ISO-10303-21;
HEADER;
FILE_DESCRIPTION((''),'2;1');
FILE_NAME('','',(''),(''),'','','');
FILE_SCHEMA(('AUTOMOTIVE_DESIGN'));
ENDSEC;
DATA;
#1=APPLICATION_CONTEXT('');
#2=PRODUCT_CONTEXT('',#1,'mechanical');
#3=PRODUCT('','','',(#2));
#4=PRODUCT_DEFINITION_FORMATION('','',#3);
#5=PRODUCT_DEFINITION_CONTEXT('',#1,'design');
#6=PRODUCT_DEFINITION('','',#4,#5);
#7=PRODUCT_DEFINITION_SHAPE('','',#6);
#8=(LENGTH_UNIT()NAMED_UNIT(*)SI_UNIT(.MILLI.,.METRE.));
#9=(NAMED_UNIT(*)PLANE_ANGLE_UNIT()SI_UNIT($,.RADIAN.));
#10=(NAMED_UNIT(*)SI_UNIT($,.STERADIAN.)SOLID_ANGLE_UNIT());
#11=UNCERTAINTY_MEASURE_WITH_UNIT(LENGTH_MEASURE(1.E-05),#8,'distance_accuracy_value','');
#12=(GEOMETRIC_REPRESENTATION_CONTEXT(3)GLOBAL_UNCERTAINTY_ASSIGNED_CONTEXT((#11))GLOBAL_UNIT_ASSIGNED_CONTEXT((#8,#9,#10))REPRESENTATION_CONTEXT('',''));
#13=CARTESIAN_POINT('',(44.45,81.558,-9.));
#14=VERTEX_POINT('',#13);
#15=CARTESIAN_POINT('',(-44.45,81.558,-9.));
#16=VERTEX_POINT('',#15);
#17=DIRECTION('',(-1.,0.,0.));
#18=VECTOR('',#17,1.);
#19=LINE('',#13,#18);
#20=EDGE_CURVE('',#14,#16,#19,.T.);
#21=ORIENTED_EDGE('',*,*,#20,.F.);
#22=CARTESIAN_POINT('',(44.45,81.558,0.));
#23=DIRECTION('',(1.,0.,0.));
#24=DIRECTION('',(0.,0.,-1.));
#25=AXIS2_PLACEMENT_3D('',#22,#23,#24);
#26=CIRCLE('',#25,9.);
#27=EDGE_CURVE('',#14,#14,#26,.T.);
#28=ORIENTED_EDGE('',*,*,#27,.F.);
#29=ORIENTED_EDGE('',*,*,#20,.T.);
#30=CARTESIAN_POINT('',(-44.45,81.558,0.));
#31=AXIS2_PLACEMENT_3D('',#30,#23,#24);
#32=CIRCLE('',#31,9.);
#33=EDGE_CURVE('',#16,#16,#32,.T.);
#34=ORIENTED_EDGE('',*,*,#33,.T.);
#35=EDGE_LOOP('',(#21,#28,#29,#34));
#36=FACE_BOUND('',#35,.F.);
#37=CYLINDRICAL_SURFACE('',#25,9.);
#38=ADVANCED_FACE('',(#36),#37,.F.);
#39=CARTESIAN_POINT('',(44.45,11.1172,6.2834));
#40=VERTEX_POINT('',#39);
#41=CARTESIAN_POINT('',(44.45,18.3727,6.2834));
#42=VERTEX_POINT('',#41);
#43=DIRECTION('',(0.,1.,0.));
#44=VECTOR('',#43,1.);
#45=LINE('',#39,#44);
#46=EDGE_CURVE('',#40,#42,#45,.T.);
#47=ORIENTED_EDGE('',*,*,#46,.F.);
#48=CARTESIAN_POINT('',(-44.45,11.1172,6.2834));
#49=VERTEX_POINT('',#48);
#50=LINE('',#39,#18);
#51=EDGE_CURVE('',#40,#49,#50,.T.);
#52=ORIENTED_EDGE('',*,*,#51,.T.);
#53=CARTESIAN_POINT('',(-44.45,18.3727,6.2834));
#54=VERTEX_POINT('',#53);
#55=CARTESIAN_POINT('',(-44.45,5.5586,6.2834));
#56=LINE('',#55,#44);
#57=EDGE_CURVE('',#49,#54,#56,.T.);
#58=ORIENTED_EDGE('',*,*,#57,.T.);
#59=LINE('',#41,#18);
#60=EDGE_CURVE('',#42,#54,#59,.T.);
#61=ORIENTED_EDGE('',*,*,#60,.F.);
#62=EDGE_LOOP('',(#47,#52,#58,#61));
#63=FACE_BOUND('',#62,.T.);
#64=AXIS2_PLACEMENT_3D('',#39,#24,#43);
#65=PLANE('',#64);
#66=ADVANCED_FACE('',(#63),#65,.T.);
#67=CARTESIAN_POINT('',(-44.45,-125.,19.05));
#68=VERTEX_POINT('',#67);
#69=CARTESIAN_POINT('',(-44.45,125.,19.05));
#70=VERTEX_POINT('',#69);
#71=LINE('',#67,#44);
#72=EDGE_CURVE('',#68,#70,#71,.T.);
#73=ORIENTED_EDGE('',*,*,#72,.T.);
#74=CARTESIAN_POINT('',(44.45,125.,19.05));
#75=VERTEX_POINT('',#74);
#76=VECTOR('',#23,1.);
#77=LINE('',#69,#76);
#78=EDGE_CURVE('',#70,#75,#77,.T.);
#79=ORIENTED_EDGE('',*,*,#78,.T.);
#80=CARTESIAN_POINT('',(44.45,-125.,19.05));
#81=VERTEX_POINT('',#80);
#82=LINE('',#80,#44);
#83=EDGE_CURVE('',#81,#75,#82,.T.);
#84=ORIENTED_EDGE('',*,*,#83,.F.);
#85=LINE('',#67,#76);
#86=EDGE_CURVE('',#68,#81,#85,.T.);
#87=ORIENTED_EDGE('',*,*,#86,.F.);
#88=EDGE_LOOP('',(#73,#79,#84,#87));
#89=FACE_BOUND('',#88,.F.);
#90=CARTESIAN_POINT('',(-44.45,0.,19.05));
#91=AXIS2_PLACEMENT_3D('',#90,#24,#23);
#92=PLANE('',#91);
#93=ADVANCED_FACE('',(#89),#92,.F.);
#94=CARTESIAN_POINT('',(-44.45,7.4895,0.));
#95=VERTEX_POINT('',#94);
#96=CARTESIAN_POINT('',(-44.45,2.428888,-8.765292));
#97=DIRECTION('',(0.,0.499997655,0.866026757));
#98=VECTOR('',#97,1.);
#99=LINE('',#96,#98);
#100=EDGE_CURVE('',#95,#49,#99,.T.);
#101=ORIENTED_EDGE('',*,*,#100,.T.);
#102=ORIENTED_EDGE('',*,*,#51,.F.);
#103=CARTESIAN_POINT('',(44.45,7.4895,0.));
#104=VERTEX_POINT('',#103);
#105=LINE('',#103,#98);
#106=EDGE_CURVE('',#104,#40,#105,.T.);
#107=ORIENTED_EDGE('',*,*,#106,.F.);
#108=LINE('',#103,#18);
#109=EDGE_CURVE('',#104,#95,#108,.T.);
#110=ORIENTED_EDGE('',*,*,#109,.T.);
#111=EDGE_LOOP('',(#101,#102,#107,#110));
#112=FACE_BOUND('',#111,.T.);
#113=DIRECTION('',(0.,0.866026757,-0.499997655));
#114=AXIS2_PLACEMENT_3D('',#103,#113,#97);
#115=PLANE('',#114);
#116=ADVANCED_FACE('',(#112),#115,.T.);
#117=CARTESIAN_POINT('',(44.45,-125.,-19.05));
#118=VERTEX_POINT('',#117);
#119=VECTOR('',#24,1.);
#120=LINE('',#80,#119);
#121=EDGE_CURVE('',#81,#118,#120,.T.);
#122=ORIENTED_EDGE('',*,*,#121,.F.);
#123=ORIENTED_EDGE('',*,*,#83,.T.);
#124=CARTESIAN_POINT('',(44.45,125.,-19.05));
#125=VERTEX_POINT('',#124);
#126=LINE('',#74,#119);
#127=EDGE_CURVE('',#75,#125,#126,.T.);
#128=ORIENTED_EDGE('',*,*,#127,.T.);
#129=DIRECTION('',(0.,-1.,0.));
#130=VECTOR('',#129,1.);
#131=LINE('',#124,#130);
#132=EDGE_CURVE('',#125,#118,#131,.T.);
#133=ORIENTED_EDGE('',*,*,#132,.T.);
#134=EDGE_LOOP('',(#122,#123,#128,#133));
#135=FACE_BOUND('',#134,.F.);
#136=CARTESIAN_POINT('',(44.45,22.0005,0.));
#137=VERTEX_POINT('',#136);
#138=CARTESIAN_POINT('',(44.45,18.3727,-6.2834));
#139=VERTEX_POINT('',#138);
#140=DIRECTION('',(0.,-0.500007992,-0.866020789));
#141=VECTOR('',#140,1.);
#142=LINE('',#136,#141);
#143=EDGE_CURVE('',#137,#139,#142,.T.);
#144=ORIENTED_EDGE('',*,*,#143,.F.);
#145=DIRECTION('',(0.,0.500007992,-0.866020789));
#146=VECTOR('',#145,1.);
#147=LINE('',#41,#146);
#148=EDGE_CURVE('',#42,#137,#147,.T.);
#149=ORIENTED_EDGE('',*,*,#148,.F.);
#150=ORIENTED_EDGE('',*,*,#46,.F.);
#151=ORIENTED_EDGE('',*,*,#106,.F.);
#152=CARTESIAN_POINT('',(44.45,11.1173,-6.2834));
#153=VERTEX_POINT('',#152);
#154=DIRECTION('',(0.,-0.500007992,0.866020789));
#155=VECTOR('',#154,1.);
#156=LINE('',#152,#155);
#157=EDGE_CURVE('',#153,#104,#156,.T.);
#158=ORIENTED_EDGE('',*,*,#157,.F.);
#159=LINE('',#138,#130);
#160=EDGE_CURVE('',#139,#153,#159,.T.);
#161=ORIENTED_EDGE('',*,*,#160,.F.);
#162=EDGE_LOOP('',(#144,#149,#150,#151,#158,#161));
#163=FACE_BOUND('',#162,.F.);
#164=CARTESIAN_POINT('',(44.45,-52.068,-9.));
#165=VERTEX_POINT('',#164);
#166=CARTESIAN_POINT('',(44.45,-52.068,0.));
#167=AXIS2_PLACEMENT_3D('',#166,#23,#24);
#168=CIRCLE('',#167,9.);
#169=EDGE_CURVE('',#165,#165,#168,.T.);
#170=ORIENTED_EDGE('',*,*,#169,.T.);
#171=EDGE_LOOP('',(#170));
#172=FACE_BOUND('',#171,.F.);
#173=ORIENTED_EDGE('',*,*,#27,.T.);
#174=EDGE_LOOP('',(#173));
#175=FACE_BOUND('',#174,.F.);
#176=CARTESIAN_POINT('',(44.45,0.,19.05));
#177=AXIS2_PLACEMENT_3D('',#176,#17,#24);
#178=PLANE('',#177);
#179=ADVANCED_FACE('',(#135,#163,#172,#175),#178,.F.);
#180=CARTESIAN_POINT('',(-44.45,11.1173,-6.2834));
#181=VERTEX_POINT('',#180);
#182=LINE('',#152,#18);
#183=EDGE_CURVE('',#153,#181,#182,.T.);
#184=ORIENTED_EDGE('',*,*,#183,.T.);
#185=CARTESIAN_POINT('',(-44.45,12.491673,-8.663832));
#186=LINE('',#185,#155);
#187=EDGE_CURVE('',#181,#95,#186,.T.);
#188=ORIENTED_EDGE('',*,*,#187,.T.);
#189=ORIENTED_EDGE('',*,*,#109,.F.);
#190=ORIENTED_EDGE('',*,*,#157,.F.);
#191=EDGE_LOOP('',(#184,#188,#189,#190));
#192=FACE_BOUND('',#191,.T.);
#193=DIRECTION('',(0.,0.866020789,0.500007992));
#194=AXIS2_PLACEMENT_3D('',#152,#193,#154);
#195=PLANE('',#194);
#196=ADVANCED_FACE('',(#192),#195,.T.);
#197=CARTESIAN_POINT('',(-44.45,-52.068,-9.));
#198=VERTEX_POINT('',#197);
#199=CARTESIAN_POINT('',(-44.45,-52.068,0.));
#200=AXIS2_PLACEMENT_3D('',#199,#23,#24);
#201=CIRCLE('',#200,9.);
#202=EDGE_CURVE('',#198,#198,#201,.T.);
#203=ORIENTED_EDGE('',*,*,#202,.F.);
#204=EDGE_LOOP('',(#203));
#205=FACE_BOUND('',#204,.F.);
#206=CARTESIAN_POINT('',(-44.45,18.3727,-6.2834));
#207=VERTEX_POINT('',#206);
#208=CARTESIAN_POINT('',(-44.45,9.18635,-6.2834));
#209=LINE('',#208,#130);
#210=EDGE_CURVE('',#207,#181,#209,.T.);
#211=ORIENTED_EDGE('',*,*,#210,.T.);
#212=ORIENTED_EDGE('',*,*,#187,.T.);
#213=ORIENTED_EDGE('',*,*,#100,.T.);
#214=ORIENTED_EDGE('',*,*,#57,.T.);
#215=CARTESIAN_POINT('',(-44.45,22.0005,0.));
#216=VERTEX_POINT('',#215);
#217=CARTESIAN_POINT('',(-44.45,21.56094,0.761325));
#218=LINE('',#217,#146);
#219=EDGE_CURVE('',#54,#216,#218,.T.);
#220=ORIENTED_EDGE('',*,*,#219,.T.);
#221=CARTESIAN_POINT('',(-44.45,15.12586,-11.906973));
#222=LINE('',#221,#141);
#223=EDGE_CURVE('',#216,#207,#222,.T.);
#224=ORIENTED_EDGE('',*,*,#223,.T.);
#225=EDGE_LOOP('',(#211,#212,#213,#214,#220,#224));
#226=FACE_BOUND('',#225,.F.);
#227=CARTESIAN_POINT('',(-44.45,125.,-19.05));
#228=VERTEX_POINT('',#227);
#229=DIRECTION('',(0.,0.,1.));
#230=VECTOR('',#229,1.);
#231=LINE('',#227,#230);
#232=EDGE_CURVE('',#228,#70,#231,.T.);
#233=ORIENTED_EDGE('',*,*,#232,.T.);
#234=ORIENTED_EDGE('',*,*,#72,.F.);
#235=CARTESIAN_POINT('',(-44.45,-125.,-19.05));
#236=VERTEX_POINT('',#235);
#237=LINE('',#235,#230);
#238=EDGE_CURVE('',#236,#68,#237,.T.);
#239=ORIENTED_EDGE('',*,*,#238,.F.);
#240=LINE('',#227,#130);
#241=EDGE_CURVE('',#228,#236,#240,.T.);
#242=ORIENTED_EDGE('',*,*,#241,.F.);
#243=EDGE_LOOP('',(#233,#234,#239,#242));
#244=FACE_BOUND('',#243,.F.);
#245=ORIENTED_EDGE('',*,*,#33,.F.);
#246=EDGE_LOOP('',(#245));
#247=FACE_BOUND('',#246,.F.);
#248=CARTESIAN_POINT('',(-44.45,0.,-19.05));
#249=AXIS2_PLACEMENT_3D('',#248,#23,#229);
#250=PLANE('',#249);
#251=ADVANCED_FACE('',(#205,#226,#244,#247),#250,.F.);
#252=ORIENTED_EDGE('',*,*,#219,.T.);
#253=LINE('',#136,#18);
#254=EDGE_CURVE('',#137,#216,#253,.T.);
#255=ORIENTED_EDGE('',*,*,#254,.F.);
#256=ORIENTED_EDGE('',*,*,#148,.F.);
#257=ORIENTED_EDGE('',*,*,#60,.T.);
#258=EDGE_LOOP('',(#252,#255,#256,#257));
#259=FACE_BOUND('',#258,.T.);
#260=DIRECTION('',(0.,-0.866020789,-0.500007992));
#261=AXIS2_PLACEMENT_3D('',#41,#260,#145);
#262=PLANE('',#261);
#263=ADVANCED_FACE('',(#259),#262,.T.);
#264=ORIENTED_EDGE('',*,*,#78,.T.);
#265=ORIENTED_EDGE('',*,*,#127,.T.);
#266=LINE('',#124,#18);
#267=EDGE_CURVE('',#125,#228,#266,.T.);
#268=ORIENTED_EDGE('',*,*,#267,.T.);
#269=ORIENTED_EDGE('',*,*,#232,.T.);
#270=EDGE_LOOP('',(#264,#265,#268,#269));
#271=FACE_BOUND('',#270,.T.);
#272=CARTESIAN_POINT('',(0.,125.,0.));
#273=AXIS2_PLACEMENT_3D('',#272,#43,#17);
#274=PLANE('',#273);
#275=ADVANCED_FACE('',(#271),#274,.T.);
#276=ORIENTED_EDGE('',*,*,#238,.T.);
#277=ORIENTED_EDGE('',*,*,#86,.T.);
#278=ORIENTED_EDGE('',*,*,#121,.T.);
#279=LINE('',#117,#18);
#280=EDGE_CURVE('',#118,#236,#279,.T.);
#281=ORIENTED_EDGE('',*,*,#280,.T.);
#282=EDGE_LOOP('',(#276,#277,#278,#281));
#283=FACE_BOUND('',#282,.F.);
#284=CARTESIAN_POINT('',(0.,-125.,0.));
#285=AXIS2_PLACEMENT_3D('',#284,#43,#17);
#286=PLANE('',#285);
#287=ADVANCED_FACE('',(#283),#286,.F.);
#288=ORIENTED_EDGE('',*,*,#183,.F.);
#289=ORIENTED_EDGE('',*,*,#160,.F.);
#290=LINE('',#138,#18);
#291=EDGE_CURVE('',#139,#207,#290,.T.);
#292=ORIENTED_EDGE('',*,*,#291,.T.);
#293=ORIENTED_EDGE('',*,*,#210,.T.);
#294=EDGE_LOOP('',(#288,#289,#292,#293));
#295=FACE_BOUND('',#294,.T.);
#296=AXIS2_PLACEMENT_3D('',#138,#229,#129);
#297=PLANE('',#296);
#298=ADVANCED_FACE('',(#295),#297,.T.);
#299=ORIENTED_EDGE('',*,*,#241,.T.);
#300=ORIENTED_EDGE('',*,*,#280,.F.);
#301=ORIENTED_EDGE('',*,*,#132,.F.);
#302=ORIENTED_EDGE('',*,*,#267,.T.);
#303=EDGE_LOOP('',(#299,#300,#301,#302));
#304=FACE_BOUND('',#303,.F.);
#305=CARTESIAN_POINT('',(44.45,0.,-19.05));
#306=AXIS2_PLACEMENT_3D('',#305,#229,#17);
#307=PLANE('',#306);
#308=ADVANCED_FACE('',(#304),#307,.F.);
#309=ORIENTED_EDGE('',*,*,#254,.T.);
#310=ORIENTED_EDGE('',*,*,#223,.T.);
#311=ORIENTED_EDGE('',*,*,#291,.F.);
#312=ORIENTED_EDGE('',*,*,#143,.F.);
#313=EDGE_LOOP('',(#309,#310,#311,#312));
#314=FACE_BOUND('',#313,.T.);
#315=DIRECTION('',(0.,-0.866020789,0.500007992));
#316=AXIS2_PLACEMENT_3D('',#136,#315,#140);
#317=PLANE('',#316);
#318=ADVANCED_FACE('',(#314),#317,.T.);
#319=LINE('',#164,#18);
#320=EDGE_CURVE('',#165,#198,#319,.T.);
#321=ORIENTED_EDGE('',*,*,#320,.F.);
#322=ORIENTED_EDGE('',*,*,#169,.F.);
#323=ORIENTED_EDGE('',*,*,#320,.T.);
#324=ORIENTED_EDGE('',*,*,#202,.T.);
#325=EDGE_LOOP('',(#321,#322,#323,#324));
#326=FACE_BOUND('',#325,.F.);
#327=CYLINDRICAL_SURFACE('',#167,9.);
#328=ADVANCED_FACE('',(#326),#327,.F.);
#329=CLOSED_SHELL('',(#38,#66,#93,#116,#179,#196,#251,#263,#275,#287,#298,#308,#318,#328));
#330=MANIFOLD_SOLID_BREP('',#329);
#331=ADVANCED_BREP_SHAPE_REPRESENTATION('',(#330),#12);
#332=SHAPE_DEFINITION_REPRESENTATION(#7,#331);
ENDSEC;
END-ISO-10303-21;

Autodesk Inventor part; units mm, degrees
ref_plane "YZ Plane" through (0, 0, 0) normal (1, 0, 0) x (0, 1, 0)
ref_plane "XZ Plane" through (0, 0, 0) normal (0, 1, 0) x (-1, 0, 0)
ref_plane "XY Plane" through (0, 0, 0) normal (0, 0, 1) x (1, 0, 0)
sketch "Sketch4" plane through (0, 0, 0) normal (0, 1, 0) x (-1, 0, 0)
  line L0 (44.45, 19.05) -> (-44.45, 19.05)
  line L1 (-44.45, 19.05) -> (-44.45, -19.05)
  line L2 (-44.45, -19.05) -> (44.45, -19.05)
  line L3 (44.45, -19.05) -> (44.45, 19.05)
  line L4 (44.45, 19.05) -> (-44.45, -19.05) construction
  line L5 (-44.45, 19.05) -> (44.45, -19.05) construction
  point P0 (0, 0)
  dimension "d8" = 88.9
  dimension "d9" = 38.1
extrude "Extrusion2" add sketch "Sketch4" along normal mid plane 250
sketch "Sketch5" plane through (44.45, -125, -19.05) normal (1, 0, 0) x (0, 0, -1)
  circle A0 centre (-19.05, 206.558) radius 9
  circle A1 centre (-19.05, 72.932) radius 9
  line L0 (-38.1, 250) -> (0, 250) projected
  circle A2 centre (-19.05, 139.745) radius 7.2555
  line L1 (-19.05, 132.4895) -> (-25.3334, 136.1172)
  line L2 (-25.3334, 136.1172) -> (-25.3334, 143.3727)
  line L3 (-25.3334, 143.3727) -> (-19.05, 147.0005)
  line L4 (-19.05, 147.0005) -> (-12.7666, 143.3727)
  line L5 (-12.7666, 143.3727) -> (-12.7666, 136.1173)
  line L6 (-12.7666, 136.1173) -> (-19.05, 132.4895)
  point P0 (-19.05, 125)
  dimension "d40" = 14.511
  dimension "d12" = 18
  dimension "d14" = 18
  dimension "d37" = 43.442
  dimension "d38" = 66.813
  dimension "d39" = 133.626
  dimension "d41" = 66.813
extrude "Extrusion4" cut sketch "Sketch5" against normal blind 103.1875 contours A0 | A1 | L5 L6 L1 L2 L3 L4
properties part number "CNC-Y-axis- moving side to side plateform"
